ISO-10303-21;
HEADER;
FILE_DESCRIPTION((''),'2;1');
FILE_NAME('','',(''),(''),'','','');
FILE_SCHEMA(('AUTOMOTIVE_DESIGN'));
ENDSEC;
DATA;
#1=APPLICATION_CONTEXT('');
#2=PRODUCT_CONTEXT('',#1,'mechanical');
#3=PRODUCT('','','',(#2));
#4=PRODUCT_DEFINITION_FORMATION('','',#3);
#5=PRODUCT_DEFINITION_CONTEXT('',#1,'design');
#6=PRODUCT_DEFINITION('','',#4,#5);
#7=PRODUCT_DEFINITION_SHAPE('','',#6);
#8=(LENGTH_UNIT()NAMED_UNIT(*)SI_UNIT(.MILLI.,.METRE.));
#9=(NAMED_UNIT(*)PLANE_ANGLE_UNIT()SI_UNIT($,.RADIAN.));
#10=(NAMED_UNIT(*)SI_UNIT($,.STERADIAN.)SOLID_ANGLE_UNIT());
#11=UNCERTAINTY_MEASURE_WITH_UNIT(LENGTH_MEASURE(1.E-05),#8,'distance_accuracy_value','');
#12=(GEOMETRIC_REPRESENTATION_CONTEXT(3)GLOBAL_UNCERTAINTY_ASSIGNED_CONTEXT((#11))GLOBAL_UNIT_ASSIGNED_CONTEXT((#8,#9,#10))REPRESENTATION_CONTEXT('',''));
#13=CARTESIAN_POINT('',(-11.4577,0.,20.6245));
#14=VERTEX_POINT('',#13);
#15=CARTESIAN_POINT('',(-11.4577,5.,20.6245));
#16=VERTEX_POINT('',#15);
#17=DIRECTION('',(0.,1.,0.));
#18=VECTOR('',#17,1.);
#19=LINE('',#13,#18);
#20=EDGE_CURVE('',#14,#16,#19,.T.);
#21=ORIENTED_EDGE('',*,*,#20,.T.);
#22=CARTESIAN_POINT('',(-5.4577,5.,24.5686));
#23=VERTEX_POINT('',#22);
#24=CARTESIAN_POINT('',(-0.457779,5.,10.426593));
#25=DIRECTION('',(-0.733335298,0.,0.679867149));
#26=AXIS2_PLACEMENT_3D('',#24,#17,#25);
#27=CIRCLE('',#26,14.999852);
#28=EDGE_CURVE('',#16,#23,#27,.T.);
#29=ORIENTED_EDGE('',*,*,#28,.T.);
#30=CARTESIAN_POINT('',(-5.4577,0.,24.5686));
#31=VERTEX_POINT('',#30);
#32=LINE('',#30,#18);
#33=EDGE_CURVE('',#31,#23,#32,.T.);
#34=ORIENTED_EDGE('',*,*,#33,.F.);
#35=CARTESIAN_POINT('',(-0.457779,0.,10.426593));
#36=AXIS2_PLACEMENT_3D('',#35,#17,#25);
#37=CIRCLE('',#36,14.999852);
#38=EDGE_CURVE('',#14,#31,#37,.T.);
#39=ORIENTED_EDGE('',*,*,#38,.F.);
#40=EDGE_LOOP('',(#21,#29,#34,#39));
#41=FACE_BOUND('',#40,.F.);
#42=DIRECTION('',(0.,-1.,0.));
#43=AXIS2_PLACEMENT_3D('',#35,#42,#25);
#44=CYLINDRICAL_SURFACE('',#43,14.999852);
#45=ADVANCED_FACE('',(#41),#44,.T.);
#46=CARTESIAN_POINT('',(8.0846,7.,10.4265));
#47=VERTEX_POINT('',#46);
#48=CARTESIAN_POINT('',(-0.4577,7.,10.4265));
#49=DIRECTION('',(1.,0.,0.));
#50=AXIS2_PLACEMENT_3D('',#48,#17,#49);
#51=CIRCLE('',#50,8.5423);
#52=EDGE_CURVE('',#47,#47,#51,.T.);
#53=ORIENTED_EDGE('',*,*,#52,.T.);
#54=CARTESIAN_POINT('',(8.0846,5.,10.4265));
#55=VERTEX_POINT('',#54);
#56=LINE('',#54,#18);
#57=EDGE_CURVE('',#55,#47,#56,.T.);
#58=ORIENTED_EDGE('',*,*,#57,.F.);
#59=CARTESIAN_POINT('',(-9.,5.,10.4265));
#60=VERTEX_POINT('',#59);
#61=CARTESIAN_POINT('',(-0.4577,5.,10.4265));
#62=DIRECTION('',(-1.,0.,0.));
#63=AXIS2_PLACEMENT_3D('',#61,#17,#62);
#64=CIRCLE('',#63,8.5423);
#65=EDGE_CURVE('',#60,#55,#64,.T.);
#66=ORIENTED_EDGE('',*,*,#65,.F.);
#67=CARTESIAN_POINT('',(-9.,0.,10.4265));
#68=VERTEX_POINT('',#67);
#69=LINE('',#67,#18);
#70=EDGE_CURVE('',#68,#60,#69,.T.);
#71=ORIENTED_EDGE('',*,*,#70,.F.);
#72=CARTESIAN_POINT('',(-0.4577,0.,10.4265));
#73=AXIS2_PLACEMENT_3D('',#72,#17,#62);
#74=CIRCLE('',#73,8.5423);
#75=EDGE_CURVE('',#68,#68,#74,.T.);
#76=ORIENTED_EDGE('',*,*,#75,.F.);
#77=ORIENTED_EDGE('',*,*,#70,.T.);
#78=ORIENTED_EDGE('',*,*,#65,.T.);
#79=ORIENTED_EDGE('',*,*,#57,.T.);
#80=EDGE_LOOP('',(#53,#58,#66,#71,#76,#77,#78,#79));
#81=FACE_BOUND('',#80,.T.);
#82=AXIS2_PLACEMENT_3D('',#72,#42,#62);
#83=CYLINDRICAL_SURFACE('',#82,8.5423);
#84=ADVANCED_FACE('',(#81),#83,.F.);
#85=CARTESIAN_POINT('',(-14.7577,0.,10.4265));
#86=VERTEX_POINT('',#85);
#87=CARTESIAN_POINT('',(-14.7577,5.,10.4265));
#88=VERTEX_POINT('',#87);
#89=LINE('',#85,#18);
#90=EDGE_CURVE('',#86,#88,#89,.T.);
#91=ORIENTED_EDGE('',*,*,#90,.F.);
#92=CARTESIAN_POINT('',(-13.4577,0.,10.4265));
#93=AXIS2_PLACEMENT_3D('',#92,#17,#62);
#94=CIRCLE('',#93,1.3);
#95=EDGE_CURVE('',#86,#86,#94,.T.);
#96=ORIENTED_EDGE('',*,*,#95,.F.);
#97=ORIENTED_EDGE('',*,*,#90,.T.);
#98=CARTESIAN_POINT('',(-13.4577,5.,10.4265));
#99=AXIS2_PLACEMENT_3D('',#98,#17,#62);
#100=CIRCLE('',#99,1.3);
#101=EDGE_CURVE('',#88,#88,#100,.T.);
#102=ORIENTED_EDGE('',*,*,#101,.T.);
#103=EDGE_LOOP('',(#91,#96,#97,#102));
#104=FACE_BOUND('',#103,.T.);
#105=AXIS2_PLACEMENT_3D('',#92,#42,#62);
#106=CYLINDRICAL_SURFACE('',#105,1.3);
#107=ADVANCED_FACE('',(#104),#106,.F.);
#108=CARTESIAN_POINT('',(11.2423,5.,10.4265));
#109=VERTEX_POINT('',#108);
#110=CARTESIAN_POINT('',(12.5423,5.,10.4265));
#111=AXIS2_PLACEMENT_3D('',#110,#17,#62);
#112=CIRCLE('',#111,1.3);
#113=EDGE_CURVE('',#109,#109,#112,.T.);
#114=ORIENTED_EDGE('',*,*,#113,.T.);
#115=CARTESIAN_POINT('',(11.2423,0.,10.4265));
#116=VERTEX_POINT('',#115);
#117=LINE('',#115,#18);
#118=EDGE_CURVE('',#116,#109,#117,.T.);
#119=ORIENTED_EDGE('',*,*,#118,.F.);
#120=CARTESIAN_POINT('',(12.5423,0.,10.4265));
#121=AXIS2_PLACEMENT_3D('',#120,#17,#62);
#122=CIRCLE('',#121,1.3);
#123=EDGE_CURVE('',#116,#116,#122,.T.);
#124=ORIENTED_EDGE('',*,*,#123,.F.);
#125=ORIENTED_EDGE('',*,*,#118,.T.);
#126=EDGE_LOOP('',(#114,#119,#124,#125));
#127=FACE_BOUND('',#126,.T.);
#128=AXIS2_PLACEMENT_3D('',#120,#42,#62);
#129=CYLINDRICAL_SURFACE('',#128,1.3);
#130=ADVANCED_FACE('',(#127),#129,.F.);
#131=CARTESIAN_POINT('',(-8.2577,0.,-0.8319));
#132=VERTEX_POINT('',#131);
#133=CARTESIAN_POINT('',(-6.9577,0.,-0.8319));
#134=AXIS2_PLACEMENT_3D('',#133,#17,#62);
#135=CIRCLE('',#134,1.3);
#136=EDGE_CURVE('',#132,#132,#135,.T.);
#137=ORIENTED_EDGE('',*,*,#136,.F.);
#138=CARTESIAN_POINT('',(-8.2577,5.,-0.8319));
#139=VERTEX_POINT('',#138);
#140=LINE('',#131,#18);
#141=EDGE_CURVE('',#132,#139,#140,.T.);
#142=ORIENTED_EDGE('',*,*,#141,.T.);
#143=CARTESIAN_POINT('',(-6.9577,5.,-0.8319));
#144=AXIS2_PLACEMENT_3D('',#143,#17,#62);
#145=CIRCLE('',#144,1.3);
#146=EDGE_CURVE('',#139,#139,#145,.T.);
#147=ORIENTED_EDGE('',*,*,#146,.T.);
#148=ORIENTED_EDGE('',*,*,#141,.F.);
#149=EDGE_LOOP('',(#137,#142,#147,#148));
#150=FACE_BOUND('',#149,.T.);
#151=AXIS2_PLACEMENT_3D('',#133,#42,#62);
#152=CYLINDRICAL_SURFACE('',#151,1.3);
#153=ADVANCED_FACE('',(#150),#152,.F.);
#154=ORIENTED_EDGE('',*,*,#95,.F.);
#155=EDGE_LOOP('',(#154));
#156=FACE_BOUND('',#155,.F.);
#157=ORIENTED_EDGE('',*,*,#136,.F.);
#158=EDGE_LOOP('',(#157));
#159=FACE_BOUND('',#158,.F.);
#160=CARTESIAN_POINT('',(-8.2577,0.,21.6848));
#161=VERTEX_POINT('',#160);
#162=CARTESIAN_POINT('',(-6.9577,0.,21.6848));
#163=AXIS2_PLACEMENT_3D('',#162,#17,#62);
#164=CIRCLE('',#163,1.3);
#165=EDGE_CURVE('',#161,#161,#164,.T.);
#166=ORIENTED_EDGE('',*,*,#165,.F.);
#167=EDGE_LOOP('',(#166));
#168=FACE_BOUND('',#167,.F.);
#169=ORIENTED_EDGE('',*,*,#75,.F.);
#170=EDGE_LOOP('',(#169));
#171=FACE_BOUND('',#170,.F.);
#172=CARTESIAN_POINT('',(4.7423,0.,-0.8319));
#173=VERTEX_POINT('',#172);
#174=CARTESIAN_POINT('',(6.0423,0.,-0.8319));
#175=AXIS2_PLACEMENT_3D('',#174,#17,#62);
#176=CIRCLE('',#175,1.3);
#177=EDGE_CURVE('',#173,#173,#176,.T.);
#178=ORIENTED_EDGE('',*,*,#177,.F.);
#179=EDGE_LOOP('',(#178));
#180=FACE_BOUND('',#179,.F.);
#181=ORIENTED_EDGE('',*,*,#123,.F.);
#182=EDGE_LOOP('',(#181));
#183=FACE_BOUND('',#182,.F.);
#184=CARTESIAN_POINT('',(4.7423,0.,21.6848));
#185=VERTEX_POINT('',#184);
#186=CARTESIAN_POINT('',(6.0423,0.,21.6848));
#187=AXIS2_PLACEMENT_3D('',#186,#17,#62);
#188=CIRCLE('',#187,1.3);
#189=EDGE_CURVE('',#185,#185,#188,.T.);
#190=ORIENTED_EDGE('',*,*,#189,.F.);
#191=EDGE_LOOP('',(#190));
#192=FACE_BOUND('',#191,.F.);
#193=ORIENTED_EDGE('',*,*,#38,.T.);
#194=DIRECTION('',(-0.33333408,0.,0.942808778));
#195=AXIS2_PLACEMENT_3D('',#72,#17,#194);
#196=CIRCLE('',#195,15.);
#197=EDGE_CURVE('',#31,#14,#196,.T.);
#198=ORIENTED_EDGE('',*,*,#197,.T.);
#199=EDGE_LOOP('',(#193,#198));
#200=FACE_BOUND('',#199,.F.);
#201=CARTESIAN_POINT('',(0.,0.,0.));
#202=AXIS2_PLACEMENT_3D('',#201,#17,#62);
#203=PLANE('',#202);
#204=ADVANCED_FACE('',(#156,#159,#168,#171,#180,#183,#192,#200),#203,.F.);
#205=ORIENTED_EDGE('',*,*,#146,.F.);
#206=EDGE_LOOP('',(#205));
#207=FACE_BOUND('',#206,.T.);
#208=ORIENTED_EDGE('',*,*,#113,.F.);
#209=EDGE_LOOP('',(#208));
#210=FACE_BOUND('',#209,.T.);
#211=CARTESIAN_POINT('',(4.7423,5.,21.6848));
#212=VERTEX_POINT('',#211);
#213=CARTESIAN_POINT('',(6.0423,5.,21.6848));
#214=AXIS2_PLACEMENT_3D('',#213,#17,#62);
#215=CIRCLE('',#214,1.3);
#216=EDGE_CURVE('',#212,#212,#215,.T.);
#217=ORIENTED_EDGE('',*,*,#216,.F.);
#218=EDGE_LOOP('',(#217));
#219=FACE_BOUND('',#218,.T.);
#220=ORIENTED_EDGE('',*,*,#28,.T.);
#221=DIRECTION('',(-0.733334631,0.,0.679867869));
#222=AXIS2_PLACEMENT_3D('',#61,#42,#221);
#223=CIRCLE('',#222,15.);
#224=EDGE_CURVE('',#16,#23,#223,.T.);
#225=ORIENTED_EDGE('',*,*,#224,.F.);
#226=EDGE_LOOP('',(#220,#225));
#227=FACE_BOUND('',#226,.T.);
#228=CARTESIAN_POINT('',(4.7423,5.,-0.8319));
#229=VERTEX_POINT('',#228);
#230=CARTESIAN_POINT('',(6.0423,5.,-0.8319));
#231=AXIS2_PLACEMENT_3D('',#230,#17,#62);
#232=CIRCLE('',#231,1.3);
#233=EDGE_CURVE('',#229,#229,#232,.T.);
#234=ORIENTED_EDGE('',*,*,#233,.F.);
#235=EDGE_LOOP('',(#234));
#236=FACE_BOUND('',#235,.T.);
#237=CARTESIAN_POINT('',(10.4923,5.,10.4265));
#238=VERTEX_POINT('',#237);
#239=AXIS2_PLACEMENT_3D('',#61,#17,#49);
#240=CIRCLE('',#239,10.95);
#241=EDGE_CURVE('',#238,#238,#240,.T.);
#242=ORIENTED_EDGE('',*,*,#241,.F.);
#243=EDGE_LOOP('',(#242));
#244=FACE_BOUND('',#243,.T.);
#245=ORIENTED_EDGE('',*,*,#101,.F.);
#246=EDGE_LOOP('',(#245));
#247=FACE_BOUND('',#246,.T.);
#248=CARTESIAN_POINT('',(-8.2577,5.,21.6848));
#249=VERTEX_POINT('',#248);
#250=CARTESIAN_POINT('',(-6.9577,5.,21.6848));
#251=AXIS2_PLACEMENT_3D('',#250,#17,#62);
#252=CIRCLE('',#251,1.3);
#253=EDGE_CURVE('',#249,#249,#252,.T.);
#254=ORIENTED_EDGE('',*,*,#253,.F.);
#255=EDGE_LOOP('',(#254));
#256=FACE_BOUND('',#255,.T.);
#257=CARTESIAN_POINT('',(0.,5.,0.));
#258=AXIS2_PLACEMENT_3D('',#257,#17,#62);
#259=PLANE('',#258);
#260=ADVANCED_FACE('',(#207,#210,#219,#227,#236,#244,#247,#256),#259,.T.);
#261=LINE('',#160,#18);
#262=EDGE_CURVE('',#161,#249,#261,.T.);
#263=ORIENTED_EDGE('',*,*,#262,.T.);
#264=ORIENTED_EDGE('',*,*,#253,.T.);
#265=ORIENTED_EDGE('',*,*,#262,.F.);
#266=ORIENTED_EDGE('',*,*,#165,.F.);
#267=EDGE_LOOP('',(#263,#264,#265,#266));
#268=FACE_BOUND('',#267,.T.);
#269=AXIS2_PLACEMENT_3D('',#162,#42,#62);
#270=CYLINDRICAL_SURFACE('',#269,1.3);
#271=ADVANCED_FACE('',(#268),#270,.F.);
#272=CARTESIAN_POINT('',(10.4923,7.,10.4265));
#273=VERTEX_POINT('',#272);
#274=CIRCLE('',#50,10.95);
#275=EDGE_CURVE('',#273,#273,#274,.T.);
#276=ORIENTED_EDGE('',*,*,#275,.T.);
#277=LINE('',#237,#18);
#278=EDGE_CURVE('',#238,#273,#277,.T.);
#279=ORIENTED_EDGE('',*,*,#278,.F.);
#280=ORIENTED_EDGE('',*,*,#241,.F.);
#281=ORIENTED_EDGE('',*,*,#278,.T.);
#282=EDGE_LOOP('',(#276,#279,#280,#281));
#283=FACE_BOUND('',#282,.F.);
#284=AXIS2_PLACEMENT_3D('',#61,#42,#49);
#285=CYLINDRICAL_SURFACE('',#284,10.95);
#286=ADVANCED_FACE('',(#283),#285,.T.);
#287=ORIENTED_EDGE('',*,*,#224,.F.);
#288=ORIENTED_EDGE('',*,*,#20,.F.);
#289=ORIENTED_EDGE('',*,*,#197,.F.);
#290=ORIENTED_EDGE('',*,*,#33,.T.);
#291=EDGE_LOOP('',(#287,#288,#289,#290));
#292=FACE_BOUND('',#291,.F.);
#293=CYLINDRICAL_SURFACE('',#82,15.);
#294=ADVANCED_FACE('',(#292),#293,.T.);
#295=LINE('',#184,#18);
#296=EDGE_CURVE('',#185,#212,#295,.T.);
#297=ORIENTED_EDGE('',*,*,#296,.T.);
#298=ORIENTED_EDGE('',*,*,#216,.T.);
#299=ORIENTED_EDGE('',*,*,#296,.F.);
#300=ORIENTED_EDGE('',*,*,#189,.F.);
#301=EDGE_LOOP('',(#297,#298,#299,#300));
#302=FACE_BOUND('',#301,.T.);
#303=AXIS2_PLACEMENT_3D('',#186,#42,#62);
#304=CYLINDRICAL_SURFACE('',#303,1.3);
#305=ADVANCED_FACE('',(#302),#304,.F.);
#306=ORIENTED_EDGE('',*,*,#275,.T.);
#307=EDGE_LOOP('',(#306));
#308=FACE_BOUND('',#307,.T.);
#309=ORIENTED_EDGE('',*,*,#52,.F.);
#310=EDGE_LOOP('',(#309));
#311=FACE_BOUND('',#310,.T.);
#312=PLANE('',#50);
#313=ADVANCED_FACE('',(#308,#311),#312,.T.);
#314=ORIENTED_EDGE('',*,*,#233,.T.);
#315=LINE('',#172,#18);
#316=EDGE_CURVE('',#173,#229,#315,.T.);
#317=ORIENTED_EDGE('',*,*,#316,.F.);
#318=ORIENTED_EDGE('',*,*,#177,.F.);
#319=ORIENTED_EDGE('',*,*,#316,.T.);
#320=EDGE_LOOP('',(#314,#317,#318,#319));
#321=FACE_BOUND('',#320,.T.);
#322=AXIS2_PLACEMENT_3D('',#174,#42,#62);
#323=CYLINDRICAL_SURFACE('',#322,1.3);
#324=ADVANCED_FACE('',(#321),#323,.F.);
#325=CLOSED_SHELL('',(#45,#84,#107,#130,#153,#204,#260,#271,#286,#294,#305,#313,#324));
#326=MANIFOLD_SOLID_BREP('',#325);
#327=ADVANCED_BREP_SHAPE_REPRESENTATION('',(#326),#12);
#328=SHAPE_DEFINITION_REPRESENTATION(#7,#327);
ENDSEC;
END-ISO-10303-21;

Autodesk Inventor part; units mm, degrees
ref_plane "YZ Plane" through (0, 0, 0) normal (1, 0, 0) x (0, 1, 0)
ref_plane "XZ Plane" through (0, 0, 0) normal (0, 1, 0) x (-1, 0, 0)
ref_plane "XY Plane" through (0, 0, 0) normal (0, 0, 1) x (1, 0, 0)
sketch "Sketch1" plane through (0, 0, 0) normal (0, 1, 0) x (-1, 0, 0)
  arc A0 (11.4577, 20.6245) -> (5.4577, 24.5686) centre (0.4577, 10.4265) ccw
  circle A1 centre (0.4577, 10.4265) radius 15
  circle A2 centre (13.4577, 10.4265) radius 1.3
  circle A3 centre (6.9577, 21.6848) radius 1.3
  circle A4 centre (-6.0423, 21.6848) radius 1.3
  circle A5 centre (-12.5423, 10.4265) radius 1.3
  circle A6 centre (-6.0423, -0.8319) radius 1.3
  circle A7 centre (6.9577, -0.8319) radius 1.3
  circle A8 centre (0.4577, 10.4265) radius 8.5423
  point P0 (0, 0)
  point P1 (0.4577, 10.4265)
  dimension "d2" = 2.6
  dimension "d3" = 13
  dimension "d4" = 360
extrude "Extrusion1" add sketch "Sketch1" along normal blind 5
sketch "Sketch2" plane through (-0.4577, 5, 10.4265) normal (0, 1, 0) x (1, 0, 0)
  circle A0 centre (0, 0) radius 10.95
  circle A1 centre (0, 0) radius 8.5423
  point P0 (0.4577, 10.4265)
  dimension "d7" = 21.9
extrude "Extrusion2" add sketch "Sketch2" along normal blind 2
properties part number "OsKrepl"
